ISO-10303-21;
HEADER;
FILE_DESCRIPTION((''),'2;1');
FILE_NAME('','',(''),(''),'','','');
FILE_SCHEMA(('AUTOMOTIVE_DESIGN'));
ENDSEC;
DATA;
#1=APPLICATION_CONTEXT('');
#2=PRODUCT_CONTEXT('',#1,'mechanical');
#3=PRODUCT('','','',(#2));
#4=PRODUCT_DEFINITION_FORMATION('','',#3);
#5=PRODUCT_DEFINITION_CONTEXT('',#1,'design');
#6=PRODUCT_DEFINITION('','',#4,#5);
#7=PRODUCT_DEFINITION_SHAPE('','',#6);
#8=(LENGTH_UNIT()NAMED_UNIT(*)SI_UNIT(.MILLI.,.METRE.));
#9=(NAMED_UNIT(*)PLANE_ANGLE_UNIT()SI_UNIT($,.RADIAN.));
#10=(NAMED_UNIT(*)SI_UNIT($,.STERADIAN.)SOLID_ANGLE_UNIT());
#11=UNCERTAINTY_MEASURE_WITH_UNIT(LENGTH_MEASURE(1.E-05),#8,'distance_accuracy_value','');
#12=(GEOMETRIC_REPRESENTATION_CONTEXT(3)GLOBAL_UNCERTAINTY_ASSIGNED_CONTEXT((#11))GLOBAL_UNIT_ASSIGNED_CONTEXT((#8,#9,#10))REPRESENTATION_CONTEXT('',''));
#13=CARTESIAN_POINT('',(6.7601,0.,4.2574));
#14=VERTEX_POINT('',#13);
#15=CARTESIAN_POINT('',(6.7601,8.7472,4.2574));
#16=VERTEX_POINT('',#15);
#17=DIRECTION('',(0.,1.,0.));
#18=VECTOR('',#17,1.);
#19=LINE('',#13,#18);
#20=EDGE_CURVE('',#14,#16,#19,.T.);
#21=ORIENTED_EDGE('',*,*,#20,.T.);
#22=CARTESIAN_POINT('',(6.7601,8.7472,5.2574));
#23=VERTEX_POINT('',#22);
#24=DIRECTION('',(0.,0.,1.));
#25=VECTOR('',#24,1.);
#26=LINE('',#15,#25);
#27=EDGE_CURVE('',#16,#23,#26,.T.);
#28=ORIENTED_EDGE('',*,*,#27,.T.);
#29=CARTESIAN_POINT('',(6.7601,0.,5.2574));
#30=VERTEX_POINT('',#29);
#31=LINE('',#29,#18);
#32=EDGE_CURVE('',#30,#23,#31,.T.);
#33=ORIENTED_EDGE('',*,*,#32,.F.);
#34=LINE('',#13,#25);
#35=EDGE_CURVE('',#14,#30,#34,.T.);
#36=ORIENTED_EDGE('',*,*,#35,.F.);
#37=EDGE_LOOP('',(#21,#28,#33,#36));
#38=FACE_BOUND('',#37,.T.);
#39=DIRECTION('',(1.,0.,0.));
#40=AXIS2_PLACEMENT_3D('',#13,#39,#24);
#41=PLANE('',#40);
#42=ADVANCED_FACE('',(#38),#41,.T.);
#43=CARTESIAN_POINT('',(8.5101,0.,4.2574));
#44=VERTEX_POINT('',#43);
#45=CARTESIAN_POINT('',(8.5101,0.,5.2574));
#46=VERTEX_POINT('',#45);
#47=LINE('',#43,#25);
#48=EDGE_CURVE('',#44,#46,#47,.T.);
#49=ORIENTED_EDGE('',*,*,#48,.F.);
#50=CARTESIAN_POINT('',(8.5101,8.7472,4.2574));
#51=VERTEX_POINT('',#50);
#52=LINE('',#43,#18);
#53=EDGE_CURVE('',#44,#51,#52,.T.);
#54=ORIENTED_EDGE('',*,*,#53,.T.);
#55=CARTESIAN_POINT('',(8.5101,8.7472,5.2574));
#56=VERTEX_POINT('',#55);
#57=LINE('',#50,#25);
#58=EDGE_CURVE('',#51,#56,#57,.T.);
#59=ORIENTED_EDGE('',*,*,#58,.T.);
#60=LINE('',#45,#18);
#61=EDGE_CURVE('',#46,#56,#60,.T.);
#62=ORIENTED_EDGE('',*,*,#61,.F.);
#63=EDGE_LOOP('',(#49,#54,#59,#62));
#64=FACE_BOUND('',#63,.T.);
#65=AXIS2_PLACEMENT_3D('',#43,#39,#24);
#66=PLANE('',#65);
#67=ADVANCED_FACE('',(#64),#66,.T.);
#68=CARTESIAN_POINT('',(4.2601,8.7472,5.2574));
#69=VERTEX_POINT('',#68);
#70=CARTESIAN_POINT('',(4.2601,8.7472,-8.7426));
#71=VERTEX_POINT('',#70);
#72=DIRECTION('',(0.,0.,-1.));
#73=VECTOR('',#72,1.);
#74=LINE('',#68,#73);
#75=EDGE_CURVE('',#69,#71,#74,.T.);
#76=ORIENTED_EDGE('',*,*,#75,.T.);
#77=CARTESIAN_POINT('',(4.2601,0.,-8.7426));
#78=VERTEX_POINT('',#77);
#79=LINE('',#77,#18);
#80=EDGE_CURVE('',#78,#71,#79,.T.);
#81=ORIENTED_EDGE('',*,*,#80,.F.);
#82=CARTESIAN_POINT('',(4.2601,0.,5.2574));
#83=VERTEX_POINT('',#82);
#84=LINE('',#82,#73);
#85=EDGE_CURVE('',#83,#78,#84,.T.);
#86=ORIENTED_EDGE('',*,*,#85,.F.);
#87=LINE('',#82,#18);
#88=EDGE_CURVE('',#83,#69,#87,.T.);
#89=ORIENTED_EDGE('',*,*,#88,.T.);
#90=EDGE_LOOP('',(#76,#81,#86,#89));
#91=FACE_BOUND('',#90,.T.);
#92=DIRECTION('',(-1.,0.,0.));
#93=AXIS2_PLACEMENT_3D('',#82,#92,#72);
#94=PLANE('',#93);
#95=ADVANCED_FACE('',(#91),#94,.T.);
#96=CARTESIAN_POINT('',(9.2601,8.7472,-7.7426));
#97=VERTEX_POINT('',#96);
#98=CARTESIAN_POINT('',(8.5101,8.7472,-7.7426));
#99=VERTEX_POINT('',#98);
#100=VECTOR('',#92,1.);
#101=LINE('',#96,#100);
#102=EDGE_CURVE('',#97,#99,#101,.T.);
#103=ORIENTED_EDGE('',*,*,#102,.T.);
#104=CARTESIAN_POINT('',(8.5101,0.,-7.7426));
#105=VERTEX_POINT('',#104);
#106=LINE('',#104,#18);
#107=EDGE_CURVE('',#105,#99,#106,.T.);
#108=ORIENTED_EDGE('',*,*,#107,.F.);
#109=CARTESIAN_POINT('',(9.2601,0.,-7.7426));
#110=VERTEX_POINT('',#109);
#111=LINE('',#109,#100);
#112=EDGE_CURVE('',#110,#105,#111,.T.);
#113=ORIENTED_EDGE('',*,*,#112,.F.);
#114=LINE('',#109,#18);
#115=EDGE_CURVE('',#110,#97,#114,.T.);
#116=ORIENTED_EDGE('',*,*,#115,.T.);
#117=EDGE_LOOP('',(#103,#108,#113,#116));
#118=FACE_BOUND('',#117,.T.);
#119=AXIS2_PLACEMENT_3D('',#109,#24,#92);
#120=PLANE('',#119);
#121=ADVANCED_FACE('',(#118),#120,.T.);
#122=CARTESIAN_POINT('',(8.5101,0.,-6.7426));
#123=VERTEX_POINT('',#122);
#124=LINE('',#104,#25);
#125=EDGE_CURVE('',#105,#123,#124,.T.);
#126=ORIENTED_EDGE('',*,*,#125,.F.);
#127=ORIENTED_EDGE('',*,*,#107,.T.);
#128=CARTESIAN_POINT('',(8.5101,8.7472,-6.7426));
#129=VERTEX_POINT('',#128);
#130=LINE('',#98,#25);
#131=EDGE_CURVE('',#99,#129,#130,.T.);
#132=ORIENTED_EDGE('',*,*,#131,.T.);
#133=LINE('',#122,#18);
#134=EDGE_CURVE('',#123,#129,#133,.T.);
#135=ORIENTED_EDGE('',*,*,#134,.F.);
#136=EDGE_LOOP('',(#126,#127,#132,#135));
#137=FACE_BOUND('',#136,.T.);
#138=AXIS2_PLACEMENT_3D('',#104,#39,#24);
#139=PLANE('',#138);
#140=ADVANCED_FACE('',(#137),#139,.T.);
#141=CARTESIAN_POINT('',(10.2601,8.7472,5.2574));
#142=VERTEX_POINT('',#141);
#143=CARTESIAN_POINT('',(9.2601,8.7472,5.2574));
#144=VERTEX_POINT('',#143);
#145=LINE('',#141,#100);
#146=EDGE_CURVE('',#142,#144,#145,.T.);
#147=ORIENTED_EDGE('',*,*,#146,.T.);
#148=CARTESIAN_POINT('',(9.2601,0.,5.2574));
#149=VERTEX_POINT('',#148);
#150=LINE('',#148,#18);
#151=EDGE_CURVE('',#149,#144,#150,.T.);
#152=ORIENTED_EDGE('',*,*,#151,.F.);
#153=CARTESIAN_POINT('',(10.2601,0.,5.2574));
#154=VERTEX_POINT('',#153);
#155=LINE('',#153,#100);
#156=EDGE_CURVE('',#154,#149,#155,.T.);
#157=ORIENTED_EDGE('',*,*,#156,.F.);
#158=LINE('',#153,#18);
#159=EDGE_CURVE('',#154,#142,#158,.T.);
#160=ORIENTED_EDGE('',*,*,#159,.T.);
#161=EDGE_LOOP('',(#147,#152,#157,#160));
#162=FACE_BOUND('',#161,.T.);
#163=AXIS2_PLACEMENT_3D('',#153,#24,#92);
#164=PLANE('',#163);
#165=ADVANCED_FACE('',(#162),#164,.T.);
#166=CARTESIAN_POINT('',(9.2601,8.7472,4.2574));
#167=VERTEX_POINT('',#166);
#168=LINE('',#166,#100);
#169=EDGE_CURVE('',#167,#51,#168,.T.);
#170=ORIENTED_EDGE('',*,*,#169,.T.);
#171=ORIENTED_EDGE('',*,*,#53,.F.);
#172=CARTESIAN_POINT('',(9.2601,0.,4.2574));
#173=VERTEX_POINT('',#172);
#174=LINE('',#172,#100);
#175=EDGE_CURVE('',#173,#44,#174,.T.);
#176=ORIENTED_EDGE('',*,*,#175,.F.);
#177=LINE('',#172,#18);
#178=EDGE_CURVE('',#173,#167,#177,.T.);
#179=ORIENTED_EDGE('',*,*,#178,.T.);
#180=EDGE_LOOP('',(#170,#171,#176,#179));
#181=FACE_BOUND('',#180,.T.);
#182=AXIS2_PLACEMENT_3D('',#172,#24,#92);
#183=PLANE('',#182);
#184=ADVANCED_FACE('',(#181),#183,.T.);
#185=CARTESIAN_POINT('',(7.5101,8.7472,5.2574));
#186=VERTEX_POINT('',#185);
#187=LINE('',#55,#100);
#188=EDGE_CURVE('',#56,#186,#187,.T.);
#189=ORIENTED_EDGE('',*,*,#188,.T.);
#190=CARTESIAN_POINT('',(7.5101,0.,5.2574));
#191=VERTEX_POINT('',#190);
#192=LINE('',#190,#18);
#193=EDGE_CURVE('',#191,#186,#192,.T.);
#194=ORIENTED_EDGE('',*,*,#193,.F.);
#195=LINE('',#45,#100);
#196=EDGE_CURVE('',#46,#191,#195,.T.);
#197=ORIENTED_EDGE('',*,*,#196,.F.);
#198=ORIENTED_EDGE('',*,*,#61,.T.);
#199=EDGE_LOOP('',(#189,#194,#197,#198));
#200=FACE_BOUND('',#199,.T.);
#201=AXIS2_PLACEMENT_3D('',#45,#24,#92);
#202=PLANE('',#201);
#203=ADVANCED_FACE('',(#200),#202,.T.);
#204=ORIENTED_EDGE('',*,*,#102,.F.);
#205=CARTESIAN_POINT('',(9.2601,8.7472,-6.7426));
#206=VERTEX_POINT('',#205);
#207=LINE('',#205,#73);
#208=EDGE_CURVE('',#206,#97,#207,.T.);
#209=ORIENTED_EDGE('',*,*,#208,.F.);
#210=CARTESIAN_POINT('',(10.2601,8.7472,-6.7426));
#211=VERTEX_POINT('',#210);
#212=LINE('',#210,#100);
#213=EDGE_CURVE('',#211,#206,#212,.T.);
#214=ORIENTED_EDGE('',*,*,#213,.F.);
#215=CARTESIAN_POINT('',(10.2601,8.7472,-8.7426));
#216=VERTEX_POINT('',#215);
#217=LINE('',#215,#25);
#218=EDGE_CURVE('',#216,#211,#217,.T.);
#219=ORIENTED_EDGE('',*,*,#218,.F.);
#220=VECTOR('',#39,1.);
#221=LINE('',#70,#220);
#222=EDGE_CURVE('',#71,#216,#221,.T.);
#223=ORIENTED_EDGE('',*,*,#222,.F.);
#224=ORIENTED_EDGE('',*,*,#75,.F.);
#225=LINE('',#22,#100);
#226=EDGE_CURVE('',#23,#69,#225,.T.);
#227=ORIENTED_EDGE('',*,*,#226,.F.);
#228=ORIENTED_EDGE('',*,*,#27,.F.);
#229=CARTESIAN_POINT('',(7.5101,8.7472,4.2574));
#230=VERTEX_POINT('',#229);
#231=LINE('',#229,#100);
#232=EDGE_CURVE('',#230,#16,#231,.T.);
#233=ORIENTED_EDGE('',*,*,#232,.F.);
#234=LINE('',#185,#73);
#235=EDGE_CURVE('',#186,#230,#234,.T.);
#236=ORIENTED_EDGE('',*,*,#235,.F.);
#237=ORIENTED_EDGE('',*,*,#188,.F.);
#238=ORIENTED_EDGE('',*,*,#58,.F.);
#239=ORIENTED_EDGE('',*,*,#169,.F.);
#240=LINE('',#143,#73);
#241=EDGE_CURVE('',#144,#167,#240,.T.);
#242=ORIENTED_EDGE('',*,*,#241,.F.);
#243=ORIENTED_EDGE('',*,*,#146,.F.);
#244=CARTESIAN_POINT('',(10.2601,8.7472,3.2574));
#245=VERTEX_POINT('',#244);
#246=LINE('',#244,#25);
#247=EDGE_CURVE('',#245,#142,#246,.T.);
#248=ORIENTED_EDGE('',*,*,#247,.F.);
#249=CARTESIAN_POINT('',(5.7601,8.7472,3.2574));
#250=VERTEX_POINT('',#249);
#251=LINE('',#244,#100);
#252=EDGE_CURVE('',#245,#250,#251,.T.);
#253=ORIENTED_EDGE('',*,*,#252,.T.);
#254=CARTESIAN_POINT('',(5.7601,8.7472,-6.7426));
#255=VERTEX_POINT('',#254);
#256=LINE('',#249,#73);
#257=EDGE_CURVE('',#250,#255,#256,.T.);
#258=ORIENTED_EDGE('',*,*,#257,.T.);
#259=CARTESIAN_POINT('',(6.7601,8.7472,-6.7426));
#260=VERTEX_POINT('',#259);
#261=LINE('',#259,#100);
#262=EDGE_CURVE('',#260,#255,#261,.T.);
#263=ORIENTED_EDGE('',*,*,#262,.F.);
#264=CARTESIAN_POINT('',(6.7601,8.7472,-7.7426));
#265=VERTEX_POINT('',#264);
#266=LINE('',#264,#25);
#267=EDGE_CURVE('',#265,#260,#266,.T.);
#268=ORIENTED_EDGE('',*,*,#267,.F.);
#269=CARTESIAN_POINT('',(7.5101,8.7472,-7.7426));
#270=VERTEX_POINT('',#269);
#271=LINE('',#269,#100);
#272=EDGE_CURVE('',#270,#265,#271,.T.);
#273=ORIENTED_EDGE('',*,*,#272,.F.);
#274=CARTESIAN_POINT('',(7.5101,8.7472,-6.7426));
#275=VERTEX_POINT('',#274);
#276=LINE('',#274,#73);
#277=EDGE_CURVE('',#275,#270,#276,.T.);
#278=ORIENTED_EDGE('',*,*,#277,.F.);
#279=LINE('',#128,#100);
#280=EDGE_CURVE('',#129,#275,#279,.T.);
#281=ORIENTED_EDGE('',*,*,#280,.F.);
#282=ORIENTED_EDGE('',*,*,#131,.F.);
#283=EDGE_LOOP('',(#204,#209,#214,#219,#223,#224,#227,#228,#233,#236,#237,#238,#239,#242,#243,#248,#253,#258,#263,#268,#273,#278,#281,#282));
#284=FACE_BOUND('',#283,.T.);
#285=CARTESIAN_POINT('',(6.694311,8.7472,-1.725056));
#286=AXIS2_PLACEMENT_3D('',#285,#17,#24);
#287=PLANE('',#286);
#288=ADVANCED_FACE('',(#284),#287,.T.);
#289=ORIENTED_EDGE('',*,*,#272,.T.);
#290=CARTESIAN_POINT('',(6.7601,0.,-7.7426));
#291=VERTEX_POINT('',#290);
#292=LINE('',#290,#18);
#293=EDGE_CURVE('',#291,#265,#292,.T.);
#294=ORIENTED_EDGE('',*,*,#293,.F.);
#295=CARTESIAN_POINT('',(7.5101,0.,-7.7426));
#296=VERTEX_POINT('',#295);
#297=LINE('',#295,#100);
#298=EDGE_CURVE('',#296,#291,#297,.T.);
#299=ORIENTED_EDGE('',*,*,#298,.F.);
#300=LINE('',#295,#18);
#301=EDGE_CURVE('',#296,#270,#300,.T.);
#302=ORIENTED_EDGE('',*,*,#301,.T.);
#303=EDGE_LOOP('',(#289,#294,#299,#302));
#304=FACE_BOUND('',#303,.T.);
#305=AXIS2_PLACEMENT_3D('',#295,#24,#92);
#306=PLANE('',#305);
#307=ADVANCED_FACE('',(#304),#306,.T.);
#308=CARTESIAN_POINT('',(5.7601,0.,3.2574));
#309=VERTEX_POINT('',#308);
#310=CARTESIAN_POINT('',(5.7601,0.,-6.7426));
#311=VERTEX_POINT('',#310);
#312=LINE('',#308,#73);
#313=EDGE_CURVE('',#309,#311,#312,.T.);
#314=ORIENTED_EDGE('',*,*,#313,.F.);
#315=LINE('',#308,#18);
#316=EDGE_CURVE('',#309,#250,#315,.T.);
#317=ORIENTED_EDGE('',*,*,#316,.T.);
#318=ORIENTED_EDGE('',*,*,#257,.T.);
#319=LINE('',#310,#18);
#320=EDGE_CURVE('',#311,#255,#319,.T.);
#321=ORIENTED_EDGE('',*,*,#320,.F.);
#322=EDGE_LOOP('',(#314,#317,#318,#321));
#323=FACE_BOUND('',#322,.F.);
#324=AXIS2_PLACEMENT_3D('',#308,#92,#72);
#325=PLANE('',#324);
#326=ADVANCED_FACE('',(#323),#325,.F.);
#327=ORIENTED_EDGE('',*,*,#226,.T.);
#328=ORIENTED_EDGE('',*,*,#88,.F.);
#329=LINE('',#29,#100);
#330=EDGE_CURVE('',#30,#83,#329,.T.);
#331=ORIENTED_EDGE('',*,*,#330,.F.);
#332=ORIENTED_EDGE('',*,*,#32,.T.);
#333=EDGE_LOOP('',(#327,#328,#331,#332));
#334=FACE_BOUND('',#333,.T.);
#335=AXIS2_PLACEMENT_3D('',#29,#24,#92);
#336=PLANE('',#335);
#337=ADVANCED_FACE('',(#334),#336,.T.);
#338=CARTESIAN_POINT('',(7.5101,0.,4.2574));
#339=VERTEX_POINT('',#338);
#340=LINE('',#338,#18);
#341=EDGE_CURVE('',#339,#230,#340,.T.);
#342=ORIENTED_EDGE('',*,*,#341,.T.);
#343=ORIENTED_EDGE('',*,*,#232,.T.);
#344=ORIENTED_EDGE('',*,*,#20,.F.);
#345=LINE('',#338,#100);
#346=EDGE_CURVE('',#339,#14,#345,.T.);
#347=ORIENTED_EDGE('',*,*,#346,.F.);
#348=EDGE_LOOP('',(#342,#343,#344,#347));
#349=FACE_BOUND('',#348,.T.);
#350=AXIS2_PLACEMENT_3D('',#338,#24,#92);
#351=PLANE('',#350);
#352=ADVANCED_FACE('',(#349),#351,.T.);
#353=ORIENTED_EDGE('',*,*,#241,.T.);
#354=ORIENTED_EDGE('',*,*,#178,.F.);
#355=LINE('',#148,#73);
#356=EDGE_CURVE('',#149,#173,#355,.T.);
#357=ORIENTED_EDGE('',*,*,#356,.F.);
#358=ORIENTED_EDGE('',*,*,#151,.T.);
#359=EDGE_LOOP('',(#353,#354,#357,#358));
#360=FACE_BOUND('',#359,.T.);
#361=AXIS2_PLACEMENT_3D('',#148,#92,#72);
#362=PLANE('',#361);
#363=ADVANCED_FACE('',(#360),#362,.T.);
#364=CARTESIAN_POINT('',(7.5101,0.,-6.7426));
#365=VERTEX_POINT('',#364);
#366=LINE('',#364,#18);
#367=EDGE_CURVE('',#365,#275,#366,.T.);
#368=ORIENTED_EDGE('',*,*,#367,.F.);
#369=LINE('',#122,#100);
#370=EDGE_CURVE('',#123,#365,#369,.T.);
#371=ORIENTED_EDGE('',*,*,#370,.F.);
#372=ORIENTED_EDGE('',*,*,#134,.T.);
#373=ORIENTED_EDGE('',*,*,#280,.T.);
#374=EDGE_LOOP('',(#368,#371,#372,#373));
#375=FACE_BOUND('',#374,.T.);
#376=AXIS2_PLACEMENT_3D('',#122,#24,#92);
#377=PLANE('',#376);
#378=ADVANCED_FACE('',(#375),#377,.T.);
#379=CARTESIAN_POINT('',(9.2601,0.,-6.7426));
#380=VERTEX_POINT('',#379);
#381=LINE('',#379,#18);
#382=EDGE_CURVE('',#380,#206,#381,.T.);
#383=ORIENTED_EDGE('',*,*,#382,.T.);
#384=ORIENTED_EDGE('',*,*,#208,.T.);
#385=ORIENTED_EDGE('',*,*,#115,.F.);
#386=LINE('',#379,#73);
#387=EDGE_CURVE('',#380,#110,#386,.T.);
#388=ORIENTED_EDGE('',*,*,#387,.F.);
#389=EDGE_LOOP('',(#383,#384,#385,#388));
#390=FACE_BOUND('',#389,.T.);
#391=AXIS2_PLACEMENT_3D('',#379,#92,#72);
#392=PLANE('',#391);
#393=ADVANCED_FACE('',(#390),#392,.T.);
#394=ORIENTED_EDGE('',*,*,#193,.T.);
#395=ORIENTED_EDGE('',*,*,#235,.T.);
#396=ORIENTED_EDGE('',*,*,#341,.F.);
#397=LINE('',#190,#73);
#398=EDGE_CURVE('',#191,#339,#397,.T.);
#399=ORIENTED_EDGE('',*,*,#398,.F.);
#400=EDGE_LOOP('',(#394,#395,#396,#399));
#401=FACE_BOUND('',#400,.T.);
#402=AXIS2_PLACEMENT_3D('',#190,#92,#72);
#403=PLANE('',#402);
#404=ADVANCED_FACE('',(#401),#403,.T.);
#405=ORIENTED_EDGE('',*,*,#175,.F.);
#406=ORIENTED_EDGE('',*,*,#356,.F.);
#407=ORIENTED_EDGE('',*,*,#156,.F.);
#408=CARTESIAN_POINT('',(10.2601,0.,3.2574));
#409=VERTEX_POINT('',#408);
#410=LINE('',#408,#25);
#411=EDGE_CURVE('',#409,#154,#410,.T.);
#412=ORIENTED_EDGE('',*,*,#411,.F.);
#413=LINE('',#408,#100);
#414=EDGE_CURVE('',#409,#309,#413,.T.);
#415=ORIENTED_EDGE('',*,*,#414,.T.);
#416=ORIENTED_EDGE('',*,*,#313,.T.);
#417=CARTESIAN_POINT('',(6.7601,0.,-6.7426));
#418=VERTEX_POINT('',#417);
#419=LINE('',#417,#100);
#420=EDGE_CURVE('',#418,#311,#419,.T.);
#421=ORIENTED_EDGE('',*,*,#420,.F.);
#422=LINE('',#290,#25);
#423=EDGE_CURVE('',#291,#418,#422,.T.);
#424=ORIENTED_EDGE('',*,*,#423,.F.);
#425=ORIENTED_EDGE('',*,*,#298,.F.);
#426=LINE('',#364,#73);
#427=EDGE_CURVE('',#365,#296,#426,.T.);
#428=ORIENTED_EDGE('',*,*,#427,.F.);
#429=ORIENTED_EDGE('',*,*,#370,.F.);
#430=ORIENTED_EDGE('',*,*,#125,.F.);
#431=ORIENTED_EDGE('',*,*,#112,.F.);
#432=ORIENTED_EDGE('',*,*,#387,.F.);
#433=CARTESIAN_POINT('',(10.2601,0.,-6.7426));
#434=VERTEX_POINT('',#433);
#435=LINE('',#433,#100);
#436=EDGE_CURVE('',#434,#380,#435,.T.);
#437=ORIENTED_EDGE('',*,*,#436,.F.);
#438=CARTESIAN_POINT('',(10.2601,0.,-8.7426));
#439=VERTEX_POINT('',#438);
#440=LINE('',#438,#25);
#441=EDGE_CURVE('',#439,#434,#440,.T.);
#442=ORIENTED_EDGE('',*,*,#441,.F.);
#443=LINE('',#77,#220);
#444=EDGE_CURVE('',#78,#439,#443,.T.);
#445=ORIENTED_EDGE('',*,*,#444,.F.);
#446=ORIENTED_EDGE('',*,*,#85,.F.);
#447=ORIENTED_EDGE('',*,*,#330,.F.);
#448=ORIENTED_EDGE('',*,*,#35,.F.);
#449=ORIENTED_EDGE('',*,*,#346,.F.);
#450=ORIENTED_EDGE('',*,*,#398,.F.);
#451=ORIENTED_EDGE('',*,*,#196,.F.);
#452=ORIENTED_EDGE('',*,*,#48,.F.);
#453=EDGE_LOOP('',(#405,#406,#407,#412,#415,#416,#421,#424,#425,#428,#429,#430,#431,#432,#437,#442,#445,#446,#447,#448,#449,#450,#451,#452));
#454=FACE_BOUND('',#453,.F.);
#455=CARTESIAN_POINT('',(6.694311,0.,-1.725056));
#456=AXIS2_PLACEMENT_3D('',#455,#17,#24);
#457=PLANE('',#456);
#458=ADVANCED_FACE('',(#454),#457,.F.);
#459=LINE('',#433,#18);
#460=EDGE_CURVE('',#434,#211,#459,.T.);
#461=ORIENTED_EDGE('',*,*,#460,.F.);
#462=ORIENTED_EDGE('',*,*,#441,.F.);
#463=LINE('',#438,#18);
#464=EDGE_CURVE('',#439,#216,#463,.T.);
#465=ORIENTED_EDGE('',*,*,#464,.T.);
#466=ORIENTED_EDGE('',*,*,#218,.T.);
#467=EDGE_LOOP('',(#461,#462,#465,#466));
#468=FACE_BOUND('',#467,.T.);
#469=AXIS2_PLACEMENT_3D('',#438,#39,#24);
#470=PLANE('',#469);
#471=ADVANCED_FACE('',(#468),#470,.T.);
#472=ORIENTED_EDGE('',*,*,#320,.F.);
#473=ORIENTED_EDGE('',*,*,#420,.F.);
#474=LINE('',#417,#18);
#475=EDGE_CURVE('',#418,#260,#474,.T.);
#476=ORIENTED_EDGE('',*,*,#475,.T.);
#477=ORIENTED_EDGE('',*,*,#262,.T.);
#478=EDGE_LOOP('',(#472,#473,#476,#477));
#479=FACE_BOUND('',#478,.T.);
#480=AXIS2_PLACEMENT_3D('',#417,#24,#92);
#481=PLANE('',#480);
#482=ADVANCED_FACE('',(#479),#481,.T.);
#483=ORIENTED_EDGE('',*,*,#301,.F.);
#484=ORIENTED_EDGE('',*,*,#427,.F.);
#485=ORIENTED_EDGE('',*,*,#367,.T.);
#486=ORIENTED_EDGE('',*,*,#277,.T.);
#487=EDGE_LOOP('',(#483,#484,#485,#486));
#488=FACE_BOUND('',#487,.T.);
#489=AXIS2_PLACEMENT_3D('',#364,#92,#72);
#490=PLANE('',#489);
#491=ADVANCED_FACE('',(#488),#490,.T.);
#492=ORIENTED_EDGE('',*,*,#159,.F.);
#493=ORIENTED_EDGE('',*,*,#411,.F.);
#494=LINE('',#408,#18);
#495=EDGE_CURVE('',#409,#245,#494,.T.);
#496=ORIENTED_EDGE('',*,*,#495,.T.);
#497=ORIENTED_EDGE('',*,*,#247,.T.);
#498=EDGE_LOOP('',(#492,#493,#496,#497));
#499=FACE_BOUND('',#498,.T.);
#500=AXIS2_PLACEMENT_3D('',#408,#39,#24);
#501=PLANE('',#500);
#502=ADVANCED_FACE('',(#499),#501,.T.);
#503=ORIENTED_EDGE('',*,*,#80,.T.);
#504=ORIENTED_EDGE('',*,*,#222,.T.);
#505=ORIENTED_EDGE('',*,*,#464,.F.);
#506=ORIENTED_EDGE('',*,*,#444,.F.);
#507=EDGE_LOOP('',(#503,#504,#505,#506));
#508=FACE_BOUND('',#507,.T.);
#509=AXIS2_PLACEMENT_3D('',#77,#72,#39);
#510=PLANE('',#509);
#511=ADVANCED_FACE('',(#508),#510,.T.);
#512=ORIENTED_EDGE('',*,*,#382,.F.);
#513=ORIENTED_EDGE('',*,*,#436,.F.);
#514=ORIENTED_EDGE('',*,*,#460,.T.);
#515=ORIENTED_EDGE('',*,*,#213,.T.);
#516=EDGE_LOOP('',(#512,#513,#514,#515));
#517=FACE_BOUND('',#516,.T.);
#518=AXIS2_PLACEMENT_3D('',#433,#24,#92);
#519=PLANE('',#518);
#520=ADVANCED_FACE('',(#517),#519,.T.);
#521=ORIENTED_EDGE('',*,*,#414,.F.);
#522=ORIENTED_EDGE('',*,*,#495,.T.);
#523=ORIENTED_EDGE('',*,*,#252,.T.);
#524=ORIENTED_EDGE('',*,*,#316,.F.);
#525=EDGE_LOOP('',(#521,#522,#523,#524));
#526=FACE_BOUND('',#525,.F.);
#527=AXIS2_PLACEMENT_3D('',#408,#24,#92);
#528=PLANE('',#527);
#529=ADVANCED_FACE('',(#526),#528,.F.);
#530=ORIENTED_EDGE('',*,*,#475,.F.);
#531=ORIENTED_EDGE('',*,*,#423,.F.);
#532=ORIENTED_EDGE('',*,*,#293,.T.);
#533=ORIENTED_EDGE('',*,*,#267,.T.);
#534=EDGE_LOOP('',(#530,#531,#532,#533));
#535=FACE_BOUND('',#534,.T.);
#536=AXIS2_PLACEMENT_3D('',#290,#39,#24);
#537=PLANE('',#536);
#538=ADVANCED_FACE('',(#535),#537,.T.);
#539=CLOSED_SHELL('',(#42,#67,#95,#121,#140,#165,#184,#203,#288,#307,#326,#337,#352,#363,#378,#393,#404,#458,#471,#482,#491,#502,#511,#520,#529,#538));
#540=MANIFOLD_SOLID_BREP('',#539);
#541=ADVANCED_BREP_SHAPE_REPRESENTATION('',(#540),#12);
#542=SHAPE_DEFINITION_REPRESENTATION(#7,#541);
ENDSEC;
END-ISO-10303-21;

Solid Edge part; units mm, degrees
sketch "Sketch1" plane through (-26.2105, 0, 2.0145) normal (0, -1, 0) x (1, 0, 0)
  line L0 (31.9706, 1.2429) -> (31.9706, -8.7571)
  line L1 (36.4706, 1.2429) -> (31.9706, 1.2429)
  line L2 (36.4706, 1.2429) -> (36.4706, 3.2429)
  line L3 (36.4706, 3.2429) -> (35.4706, 3.2429)
  line L4 (35.4706, 3.2429) -> (35.4706, 2.2429)
  line L5 (35.4706, 2.2429) -> (34.7206, 2.2429)
  line L6 (34.7206, 2.2429) -> (34.7206, 3.2429)
  line L7 (34.7206, 3.2429) -> (33.7206, 3.2429)
  line L8 (33.7206, 3.2429) -> (33.7206, 2.2429)
  line L9 (33.7206, 2.2429) -> (32.9706, 2.2429)
  line L10 (32.9706, 2.2429) -> (32.9706, 3.2429)
  line L11 (32.9706, 3.2429) -> (30.4706, 3.2429)
  line L12 (30.4706, 3.2429) -> (30.4706, -10.7571)
  line L13 (30.4706, -10.7571) -> (36.4706, -10.7571)
  line L14 (36.4706, -10.7571) -> (36.4706, -8.7571)
  line L15 (36.4706, -8.7571) -> (35.4706, -8.7571)
  line L16 (35.4706, -8.7571) -> (35.4706, -9.7571)
  line L17 (35.4706, -9.7571) -> (34.7206, -9.7571)
  line L18 (34.7206, -9.7571) -> (34.7206, -8.7571)
  line L19 (34.7206, -8.7571) -> (33.7206, -8.7571)
  line L20 (33.7206, -8.7571) -> (33.7206, -9.7571)
  line L21 (33.7206, -9.7571) -> (32.9706, -9.7571)
  line L22 (32.9706, -9.7571) -> (32.9706, -8.7571)
  line L23 (32.9706, -8.7571) -> (31.9706, -8.7571)
extrude "Protrusion1" add sketch "Sketch1" against normal blind 8.7472
properties material "Stainless Steel, 420"
